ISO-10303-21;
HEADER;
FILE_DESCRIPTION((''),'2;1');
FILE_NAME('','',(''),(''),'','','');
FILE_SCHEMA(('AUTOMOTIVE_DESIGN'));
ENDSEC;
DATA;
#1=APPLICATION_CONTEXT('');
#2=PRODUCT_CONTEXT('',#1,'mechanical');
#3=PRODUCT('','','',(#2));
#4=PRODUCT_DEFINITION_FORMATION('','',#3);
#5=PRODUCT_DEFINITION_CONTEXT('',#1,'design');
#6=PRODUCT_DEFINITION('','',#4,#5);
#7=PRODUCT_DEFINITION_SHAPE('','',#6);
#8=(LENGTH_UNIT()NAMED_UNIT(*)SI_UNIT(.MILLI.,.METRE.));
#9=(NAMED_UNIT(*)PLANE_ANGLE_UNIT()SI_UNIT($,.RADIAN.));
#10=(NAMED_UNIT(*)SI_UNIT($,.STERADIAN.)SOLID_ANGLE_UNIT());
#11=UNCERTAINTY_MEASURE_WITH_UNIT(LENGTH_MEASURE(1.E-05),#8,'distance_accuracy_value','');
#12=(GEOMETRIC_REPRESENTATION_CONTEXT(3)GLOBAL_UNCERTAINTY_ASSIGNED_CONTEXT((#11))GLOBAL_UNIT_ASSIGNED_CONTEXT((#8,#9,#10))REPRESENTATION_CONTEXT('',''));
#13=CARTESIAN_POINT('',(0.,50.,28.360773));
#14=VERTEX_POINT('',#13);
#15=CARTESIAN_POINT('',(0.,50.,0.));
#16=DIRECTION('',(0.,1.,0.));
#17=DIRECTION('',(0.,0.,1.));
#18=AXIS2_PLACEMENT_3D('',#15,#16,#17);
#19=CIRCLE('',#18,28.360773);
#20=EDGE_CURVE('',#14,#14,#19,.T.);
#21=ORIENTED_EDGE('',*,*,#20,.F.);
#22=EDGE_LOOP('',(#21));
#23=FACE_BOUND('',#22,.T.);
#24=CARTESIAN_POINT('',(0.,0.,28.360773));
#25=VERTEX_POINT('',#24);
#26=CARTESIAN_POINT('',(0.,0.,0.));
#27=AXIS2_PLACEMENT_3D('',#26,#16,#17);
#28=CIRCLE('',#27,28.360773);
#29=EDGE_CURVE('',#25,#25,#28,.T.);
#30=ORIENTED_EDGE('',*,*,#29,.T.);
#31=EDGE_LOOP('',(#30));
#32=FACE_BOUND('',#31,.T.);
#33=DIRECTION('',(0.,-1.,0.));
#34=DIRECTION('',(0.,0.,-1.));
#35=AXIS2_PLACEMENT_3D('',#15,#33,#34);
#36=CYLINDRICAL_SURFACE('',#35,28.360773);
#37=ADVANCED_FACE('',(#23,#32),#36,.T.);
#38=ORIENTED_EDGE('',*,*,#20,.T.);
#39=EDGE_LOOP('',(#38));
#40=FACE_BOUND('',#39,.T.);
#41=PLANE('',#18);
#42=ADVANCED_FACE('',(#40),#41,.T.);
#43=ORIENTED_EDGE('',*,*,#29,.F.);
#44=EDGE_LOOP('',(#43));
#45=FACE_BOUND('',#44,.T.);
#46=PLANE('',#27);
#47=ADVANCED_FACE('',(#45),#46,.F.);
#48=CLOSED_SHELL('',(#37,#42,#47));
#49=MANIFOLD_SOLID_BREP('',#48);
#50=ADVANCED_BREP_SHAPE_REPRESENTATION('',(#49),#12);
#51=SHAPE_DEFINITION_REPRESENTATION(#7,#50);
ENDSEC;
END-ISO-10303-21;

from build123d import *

# Parameters (mm, degrees)
SKETCH3_R           = 28.360772796
BOSS_EXTRUDE4_DEPTH = 50


with BuildPart() as part:
    # Sketch3 → Boss-Extrude4 (new body)
    with BuildSketch(Plane(origin=(0, 0, 0), x_dir=(1, 0, 0), z_dir=(0, 1, 0))):
        Circle(SKETCH3_R)
    extrude(amount=BOSS_EXTRUDE4_DEPTH)


solid = part.part
